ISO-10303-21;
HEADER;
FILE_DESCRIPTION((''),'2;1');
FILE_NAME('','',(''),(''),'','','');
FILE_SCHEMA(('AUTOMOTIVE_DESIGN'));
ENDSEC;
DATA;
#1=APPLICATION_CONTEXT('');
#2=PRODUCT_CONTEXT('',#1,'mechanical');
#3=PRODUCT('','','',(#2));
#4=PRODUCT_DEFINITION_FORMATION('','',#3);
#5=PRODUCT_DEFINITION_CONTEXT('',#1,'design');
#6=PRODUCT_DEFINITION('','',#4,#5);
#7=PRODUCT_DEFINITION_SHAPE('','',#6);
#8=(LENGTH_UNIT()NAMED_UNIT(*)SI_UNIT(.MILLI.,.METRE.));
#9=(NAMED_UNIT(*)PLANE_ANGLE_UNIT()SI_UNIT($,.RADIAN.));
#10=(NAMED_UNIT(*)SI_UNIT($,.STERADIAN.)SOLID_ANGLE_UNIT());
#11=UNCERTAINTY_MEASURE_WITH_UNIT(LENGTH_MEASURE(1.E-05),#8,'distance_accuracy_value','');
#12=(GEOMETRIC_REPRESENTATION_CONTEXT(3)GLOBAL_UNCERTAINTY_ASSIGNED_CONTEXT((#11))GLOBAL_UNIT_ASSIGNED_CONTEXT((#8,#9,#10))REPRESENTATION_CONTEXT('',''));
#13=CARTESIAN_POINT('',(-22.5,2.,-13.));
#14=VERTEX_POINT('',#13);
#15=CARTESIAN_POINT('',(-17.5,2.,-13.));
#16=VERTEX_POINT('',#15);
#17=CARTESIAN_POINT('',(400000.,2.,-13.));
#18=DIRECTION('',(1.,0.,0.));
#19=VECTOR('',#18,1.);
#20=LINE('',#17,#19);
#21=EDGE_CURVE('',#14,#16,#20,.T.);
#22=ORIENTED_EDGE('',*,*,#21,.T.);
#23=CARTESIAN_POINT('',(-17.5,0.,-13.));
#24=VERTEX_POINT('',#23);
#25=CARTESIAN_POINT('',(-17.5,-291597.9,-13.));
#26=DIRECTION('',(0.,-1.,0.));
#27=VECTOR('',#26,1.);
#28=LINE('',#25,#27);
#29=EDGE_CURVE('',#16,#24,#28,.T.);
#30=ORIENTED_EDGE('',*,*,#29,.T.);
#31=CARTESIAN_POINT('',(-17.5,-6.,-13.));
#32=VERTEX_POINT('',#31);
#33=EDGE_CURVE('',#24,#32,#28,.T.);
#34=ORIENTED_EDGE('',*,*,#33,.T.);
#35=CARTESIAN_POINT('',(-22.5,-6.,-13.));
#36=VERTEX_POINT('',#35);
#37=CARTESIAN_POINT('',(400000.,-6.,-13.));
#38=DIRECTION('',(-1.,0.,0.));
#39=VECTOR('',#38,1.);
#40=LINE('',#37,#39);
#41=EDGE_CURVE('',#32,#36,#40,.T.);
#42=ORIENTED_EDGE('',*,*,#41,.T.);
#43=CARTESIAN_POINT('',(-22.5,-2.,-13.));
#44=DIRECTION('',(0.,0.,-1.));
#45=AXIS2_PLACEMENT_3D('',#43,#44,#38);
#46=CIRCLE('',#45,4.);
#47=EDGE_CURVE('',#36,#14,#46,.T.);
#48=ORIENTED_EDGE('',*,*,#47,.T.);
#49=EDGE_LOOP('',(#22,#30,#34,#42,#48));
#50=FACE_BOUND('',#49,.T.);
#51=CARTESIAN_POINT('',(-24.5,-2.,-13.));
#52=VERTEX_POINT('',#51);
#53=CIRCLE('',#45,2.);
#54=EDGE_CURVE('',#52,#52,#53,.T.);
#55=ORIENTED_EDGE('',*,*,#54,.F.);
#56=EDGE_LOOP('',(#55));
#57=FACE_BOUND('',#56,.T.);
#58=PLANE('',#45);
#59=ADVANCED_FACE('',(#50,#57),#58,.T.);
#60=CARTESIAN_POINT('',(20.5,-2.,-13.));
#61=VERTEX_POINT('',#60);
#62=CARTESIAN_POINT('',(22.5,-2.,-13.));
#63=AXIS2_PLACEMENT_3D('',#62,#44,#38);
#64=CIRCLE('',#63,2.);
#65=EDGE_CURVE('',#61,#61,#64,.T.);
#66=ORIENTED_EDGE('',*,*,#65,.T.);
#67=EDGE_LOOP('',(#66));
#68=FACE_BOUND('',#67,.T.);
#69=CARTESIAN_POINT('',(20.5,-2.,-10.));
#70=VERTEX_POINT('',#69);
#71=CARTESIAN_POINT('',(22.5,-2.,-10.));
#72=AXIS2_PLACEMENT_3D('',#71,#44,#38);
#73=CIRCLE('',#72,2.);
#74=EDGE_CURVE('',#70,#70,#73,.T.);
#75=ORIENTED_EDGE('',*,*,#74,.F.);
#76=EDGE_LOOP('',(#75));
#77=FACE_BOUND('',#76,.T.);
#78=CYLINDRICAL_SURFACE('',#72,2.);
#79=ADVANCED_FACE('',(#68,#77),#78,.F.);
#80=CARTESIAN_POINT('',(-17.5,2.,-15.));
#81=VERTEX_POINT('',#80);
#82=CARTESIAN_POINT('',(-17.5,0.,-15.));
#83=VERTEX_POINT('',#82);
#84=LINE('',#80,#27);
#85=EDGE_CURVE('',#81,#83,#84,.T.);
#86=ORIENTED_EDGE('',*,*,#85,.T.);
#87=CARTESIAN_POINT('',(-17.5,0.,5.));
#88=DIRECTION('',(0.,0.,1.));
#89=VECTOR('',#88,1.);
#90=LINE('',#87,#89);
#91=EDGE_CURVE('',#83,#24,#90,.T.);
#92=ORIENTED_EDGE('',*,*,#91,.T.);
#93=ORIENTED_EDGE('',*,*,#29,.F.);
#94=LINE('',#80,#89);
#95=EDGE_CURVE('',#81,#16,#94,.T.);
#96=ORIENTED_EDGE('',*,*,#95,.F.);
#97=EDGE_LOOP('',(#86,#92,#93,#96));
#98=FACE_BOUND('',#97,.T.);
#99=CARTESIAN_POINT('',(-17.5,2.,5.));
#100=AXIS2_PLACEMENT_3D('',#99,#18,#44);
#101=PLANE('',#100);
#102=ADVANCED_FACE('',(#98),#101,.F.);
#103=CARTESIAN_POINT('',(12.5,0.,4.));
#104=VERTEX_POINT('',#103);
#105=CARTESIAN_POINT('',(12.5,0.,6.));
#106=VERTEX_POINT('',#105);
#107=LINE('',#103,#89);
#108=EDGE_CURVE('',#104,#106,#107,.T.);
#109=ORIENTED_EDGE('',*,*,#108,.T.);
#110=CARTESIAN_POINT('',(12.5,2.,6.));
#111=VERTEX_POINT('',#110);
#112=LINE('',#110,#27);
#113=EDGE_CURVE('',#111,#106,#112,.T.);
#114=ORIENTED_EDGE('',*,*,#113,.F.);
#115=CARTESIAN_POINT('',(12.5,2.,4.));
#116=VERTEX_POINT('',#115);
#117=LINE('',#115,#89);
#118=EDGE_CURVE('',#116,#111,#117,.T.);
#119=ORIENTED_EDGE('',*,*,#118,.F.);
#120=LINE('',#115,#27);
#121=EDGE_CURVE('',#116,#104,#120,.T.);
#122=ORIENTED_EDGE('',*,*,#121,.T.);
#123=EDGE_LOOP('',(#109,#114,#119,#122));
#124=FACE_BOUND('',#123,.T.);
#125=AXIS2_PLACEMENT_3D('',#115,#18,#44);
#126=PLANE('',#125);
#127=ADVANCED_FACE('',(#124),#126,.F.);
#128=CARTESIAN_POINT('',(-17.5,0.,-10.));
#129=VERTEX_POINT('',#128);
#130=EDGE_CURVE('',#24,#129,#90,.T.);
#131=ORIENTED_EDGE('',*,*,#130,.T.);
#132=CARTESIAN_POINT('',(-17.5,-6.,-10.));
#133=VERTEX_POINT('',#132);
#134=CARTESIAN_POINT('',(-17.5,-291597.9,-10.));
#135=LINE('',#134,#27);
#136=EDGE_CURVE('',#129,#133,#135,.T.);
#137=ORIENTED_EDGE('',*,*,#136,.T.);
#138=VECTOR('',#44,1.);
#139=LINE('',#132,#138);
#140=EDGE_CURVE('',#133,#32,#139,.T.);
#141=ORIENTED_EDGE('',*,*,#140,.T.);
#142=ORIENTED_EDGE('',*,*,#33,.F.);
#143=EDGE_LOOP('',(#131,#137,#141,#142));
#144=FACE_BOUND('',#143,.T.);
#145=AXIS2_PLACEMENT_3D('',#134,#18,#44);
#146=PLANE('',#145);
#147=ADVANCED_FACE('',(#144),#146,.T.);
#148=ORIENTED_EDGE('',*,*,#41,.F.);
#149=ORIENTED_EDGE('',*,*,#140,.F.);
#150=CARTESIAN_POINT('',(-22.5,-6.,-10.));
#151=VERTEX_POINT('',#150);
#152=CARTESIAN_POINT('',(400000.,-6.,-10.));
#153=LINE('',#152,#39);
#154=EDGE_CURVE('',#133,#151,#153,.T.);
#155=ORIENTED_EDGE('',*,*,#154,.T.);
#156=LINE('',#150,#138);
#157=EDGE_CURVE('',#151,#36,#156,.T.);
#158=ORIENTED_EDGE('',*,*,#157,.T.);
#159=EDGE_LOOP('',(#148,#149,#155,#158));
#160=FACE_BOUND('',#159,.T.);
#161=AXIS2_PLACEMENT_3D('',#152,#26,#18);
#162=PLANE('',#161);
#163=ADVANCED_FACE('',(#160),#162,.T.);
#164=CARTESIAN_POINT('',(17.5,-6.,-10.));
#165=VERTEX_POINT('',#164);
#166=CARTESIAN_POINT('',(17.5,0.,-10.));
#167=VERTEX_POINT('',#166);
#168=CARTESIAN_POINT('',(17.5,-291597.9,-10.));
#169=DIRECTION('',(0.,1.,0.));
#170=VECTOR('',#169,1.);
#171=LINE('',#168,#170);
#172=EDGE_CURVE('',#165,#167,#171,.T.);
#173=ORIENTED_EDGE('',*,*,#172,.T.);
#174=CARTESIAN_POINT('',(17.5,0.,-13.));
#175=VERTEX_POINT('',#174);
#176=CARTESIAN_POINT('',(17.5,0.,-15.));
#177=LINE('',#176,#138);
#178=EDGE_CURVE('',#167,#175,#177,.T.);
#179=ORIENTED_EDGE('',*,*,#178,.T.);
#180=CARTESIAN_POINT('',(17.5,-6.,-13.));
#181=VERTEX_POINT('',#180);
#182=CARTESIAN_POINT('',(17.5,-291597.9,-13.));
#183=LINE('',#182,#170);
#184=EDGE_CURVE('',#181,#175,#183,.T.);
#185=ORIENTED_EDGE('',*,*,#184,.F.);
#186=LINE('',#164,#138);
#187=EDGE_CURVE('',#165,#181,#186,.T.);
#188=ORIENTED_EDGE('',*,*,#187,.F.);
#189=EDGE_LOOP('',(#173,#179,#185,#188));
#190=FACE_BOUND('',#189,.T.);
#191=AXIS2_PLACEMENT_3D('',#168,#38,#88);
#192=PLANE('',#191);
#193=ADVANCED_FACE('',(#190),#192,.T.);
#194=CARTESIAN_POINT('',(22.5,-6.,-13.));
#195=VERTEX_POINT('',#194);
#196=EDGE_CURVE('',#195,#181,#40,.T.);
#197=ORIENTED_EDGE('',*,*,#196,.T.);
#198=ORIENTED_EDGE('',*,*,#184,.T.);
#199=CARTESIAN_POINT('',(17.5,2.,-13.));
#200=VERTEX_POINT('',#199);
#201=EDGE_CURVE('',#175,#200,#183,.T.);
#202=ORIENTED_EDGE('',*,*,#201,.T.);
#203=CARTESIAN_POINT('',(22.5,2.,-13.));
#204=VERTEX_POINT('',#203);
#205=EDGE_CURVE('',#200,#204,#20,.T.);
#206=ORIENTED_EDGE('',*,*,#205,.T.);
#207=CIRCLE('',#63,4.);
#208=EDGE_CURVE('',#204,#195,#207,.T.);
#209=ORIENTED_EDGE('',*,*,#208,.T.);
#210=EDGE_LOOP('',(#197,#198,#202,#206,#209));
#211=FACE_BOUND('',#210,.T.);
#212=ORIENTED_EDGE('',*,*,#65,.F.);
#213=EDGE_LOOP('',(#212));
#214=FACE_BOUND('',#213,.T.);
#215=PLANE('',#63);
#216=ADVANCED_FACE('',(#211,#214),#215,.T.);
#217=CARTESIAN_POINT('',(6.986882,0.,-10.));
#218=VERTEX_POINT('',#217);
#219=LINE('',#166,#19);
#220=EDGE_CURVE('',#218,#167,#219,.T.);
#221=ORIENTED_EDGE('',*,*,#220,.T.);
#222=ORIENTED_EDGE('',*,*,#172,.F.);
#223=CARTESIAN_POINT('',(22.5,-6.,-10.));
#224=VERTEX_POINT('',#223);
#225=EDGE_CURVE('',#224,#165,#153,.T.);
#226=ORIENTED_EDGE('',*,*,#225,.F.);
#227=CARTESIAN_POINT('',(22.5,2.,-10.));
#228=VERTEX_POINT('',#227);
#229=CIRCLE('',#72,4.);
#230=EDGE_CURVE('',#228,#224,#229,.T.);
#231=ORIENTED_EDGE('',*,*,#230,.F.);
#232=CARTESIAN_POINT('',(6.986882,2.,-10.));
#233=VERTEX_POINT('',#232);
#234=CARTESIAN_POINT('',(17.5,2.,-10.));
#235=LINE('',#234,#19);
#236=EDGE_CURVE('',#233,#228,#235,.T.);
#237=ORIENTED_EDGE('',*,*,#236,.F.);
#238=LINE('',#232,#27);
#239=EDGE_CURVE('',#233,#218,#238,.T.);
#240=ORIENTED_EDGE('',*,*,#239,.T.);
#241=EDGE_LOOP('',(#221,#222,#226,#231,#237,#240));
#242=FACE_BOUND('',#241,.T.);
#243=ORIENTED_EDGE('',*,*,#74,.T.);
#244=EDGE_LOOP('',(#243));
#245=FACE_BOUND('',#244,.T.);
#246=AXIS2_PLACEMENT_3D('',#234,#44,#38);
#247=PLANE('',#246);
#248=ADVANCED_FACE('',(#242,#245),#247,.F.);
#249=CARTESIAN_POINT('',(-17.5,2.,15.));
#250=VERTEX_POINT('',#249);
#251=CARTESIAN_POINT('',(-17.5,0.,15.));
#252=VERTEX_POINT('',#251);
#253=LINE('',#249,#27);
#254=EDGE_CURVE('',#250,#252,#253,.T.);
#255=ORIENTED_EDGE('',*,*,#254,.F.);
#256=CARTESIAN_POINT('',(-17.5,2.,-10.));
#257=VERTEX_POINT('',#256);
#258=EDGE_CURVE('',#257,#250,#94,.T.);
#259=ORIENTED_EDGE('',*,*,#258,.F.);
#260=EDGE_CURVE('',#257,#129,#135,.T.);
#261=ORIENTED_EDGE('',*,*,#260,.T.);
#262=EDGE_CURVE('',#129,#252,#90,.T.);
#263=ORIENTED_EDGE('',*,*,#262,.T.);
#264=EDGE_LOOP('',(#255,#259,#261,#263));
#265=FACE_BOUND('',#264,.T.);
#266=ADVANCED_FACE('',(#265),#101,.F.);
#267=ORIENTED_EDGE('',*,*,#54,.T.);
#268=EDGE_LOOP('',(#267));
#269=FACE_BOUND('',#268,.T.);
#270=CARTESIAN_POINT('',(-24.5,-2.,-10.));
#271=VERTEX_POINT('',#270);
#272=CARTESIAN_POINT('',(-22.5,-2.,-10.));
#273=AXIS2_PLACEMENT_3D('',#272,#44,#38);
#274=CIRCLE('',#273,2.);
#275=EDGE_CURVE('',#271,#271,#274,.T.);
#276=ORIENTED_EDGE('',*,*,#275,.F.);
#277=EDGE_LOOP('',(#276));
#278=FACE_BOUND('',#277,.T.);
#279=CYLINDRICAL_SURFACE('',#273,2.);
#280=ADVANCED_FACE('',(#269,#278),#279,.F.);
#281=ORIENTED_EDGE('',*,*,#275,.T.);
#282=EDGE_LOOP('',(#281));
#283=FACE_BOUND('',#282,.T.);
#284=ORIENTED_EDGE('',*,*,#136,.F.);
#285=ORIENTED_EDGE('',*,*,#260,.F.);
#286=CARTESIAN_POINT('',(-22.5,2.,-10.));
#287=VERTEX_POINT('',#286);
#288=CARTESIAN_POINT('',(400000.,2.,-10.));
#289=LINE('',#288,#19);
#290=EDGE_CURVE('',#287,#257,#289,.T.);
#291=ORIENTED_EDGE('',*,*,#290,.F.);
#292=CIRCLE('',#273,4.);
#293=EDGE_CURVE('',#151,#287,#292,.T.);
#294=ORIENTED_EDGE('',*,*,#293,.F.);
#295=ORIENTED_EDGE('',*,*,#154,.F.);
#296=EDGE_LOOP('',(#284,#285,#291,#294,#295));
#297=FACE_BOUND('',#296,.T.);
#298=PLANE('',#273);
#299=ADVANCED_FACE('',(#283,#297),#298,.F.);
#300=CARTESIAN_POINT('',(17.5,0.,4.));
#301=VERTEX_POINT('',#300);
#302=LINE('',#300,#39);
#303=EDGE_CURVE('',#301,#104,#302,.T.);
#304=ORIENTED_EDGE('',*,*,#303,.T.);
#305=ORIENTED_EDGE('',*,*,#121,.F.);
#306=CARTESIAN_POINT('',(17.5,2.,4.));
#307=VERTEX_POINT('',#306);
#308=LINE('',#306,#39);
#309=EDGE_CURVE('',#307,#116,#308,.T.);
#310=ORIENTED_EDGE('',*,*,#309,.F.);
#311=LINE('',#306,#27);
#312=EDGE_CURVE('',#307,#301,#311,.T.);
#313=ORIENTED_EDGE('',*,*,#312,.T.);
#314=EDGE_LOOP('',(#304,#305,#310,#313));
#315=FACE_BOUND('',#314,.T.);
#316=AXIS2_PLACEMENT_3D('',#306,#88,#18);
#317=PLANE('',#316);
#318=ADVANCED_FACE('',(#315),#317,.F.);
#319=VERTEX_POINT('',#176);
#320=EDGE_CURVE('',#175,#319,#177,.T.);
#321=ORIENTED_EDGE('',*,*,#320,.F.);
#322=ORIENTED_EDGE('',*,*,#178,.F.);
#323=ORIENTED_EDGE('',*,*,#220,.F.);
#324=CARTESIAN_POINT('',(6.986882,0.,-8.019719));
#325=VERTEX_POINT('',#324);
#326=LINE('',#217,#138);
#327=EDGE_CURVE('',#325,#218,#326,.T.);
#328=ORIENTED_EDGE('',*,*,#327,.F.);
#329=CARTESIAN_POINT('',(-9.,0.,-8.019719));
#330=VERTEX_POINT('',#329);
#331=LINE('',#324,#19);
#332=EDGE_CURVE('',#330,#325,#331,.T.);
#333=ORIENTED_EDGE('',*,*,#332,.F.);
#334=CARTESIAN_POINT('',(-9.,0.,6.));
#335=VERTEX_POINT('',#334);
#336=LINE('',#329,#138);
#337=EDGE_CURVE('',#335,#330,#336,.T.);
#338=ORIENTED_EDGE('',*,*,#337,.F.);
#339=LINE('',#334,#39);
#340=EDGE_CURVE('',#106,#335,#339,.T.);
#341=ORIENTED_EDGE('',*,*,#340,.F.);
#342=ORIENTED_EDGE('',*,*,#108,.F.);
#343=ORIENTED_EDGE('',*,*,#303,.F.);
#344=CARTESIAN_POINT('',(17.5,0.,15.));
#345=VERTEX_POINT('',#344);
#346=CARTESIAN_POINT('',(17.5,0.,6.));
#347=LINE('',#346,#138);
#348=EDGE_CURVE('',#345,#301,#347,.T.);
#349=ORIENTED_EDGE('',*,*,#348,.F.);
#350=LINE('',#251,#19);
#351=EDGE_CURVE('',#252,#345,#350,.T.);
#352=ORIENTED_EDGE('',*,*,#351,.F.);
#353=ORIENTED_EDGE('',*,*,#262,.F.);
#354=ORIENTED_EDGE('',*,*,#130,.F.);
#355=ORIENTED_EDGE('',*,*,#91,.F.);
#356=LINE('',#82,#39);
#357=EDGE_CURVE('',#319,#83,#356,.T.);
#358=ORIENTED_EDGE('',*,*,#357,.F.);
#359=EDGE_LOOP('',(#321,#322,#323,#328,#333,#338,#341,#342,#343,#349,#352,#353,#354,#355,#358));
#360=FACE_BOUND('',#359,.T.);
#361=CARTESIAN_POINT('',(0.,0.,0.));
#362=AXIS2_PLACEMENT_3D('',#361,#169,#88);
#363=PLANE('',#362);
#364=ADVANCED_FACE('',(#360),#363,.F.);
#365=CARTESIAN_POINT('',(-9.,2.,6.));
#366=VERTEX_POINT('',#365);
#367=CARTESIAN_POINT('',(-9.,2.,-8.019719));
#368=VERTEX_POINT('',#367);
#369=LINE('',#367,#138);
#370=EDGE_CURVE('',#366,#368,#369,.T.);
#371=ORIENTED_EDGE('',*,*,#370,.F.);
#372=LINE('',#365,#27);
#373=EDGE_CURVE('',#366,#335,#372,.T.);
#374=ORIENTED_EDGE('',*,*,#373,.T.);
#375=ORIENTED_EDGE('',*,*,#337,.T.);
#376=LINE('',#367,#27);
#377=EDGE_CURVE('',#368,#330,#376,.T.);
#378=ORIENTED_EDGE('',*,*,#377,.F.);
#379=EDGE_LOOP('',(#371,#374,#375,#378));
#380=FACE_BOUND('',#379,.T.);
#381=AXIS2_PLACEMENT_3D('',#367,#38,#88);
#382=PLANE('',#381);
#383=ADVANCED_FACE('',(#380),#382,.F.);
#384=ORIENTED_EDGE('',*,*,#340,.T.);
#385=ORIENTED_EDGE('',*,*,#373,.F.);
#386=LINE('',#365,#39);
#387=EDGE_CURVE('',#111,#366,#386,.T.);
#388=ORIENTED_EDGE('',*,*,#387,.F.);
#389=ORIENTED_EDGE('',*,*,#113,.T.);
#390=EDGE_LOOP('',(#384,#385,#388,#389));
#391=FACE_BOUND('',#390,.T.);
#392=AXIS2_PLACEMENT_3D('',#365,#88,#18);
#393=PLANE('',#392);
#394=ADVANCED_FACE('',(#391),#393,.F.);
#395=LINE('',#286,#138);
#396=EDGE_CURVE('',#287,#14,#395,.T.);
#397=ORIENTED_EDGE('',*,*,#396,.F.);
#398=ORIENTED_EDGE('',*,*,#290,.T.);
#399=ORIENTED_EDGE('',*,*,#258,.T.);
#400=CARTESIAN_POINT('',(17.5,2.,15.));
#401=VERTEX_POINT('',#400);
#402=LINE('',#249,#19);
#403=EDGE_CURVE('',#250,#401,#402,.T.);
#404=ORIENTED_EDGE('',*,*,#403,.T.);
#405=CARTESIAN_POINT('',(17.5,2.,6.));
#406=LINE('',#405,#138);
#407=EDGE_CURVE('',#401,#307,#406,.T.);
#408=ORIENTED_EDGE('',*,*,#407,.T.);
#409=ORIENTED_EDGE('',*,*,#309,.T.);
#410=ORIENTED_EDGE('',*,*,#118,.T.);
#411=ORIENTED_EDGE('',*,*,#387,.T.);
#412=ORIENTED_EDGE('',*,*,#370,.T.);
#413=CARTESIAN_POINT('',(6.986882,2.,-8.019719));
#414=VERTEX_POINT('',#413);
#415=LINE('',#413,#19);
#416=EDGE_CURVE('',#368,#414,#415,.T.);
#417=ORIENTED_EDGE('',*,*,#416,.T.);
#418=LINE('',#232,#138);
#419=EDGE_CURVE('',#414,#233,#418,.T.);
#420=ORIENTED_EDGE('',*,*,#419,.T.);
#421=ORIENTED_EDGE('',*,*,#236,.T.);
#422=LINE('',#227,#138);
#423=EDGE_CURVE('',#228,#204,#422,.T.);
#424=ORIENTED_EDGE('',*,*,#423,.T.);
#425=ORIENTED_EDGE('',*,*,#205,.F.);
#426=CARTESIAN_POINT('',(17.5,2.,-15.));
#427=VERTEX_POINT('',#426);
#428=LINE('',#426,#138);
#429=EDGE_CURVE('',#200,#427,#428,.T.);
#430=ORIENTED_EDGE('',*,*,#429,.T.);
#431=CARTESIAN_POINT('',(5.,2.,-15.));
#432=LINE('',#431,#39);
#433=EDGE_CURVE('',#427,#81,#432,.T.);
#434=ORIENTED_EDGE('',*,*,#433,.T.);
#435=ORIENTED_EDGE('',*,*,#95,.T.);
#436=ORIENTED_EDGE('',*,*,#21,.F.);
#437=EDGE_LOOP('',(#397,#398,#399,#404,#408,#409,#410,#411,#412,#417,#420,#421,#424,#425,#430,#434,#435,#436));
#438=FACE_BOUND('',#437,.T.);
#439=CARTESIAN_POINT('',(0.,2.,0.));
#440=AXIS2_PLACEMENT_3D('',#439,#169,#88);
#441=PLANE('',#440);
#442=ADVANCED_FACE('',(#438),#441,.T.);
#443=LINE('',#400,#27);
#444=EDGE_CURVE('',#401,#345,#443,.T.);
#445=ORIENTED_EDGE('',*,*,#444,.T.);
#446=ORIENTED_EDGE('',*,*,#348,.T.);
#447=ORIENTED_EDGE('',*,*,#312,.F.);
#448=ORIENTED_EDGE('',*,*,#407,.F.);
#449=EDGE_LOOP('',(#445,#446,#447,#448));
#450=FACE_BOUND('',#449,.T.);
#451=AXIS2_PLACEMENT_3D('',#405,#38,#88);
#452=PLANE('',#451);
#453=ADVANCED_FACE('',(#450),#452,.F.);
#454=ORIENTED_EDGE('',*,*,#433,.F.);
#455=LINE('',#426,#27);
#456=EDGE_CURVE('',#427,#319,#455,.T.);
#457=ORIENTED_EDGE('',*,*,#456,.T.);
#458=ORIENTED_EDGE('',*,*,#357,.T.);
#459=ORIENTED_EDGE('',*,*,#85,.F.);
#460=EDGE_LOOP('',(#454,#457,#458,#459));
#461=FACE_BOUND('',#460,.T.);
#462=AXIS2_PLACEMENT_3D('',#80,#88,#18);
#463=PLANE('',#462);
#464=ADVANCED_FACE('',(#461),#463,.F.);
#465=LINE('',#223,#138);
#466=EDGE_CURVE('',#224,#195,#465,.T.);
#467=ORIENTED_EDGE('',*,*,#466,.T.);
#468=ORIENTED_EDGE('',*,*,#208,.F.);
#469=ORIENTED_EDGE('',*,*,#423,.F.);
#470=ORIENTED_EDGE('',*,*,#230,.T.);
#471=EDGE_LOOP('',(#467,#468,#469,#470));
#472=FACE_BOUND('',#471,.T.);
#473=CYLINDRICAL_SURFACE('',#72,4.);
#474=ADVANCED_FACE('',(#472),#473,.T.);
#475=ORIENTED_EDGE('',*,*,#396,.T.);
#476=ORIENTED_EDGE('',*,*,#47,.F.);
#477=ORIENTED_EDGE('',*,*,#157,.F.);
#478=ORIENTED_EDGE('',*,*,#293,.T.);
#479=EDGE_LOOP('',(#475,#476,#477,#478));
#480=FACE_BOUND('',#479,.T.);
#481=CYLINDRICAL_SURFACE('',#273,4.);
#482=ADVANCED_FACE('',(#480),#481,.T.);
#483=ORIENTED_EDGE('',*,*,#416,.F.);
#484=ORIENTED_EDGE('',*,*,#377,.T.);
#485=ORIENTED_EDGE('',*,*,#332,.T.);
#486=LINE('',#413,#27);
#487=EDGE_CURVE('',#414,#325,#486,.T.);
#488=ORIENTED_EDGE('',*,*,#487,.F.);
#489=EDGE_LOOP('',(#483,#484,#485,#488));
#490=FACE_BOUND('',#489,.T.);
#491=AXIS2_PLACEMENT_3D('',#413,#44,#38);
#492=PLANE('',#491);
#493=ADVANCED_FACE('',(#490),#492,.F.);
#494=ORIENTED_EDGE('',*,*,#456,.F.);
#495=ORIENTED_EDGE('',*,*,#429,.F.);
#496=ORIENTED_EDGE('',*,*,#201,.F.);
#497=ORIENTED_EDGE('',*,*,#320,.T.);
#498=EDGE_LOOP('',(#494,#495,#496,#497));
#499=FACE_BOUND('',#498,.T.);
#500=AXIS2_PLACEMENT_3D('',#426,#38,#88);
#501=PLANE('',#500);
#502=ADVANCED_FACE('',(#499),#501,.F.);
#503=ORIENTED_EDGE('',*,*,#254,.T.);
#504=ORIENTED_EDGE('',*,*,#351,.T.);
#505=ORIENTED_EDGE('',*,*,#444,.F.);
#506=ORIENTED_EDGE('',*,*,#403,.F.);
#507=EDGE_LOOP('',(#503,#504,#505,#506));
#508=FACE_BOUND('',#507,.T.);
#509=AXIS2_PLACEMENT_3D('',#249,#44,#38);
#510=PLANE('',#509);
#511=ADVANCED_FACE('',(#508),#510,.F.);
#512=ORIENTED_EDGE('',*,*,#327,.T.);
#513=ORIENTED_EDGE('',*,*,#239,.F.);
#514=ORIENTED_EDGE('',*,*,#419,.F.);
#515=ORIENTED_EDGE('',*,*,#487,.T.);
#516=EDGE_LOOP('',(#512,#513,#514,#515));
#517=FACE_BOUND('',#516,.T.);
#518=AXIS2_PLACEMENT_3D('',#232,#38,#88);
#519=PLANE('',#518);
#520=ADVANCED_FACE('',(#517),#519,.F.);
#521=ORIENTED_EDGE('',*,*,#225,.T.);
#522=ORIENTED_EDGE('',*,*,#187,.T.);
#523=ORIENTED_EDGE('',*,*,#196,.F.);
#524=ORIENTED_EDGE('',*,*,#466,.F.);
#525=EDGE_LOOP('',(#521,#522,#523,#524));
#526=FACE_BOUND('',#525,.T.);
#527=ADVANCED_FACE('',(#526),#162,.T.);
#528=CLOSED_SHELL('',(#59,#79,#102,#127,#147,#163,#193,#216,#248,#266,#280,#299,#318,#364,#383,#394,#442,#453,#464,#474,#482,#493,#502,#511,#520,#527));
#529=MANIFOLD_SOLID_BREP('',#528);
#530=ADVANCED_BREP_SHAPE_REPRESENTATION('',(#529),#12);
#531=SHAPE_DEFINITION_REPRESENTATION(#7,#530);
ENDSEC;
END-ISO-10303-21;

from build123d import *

# Parameters (mm, degrees)
SALIENTE_EXTRUIR3_DEPTH = 2
SALIENTE_EXTRUIR4_START = -2
CROQUIS3_R              = 2
SALIENTE_EXTRUIR4_DEPTH = 3


with BuildPart() as part:
    # Croquis1 → Saliente-Extruir3 (new body)
    with BuildSketch(Plane(origin=(0, 0, 0), x_dir=(1, 0, 0), z_dir=(0, 1, 0))):
        Polygon((-17.5, 5), (-17.5, -5), (-17.5, -15), (17.5, -15), (17.5, -6), (17.5, -4), (12.5, -4), (12.5, -6), (-9, -6), (-9, 8.019718755), (6.986881597, 8.019718755), (6.986881597, 10), (17.5, 10), (17.5, 15), (5, 15), (-5, 15), (-17.5, 15), align=None)
    extrude(amount=SALIENTE_EXTRUIR3_DEPTH)

    # Croquis3 → Saliente-Extruir4 (add)
    # profile 1 of 2: a face of its own
    with BuildSketch(Plane(origin=(0, 0, -15), x_dir=(-1, 0, 0), z_dir=(0, 0, -1)).offset(SALIENTE_EXTRUIR4_START)):
        with BuildLine():
            Line((-17.5, 2), (-17.5, -6))
            Line((-17.5, -6), (-22.5, -6))
            ThreePointArc((-22.5, -6), (-26.5, -2), (-22.5, 2))
            Line((-22.5, 2), (-17.5, 2))
        make_face()
        with Locations((-22.5, -2)):
            Circle(CROQUIS3_R, mode=Mode.SUBTRACT)
    # profile 2 of 2: a face of its own
    with BuildSketch(Plane(origin=(0, 0, -15), x_dir=(-1, 0, 0), z_dir=(0, 0, -1)).offset(SALIENTE_EXTRUIR4_START)):
        with BuildLine():
            Line((17.5, 2), (17.5, -6))
            Line((17.5, -6), (22.5, -6))
            ThreePointArc((22.5, -6), (26.5, -2), (22.5, 2))
            Line((22.5, 2), (17.5, 2))
        make_face()
        with Locations((22.5, -2)):
            Circle(CROQUIS3_R, mode=Mode.SUBTRACT)
    extrude(amount=-SALIENTE_EXTRUIR4_DEPTH)


solid = part.part
